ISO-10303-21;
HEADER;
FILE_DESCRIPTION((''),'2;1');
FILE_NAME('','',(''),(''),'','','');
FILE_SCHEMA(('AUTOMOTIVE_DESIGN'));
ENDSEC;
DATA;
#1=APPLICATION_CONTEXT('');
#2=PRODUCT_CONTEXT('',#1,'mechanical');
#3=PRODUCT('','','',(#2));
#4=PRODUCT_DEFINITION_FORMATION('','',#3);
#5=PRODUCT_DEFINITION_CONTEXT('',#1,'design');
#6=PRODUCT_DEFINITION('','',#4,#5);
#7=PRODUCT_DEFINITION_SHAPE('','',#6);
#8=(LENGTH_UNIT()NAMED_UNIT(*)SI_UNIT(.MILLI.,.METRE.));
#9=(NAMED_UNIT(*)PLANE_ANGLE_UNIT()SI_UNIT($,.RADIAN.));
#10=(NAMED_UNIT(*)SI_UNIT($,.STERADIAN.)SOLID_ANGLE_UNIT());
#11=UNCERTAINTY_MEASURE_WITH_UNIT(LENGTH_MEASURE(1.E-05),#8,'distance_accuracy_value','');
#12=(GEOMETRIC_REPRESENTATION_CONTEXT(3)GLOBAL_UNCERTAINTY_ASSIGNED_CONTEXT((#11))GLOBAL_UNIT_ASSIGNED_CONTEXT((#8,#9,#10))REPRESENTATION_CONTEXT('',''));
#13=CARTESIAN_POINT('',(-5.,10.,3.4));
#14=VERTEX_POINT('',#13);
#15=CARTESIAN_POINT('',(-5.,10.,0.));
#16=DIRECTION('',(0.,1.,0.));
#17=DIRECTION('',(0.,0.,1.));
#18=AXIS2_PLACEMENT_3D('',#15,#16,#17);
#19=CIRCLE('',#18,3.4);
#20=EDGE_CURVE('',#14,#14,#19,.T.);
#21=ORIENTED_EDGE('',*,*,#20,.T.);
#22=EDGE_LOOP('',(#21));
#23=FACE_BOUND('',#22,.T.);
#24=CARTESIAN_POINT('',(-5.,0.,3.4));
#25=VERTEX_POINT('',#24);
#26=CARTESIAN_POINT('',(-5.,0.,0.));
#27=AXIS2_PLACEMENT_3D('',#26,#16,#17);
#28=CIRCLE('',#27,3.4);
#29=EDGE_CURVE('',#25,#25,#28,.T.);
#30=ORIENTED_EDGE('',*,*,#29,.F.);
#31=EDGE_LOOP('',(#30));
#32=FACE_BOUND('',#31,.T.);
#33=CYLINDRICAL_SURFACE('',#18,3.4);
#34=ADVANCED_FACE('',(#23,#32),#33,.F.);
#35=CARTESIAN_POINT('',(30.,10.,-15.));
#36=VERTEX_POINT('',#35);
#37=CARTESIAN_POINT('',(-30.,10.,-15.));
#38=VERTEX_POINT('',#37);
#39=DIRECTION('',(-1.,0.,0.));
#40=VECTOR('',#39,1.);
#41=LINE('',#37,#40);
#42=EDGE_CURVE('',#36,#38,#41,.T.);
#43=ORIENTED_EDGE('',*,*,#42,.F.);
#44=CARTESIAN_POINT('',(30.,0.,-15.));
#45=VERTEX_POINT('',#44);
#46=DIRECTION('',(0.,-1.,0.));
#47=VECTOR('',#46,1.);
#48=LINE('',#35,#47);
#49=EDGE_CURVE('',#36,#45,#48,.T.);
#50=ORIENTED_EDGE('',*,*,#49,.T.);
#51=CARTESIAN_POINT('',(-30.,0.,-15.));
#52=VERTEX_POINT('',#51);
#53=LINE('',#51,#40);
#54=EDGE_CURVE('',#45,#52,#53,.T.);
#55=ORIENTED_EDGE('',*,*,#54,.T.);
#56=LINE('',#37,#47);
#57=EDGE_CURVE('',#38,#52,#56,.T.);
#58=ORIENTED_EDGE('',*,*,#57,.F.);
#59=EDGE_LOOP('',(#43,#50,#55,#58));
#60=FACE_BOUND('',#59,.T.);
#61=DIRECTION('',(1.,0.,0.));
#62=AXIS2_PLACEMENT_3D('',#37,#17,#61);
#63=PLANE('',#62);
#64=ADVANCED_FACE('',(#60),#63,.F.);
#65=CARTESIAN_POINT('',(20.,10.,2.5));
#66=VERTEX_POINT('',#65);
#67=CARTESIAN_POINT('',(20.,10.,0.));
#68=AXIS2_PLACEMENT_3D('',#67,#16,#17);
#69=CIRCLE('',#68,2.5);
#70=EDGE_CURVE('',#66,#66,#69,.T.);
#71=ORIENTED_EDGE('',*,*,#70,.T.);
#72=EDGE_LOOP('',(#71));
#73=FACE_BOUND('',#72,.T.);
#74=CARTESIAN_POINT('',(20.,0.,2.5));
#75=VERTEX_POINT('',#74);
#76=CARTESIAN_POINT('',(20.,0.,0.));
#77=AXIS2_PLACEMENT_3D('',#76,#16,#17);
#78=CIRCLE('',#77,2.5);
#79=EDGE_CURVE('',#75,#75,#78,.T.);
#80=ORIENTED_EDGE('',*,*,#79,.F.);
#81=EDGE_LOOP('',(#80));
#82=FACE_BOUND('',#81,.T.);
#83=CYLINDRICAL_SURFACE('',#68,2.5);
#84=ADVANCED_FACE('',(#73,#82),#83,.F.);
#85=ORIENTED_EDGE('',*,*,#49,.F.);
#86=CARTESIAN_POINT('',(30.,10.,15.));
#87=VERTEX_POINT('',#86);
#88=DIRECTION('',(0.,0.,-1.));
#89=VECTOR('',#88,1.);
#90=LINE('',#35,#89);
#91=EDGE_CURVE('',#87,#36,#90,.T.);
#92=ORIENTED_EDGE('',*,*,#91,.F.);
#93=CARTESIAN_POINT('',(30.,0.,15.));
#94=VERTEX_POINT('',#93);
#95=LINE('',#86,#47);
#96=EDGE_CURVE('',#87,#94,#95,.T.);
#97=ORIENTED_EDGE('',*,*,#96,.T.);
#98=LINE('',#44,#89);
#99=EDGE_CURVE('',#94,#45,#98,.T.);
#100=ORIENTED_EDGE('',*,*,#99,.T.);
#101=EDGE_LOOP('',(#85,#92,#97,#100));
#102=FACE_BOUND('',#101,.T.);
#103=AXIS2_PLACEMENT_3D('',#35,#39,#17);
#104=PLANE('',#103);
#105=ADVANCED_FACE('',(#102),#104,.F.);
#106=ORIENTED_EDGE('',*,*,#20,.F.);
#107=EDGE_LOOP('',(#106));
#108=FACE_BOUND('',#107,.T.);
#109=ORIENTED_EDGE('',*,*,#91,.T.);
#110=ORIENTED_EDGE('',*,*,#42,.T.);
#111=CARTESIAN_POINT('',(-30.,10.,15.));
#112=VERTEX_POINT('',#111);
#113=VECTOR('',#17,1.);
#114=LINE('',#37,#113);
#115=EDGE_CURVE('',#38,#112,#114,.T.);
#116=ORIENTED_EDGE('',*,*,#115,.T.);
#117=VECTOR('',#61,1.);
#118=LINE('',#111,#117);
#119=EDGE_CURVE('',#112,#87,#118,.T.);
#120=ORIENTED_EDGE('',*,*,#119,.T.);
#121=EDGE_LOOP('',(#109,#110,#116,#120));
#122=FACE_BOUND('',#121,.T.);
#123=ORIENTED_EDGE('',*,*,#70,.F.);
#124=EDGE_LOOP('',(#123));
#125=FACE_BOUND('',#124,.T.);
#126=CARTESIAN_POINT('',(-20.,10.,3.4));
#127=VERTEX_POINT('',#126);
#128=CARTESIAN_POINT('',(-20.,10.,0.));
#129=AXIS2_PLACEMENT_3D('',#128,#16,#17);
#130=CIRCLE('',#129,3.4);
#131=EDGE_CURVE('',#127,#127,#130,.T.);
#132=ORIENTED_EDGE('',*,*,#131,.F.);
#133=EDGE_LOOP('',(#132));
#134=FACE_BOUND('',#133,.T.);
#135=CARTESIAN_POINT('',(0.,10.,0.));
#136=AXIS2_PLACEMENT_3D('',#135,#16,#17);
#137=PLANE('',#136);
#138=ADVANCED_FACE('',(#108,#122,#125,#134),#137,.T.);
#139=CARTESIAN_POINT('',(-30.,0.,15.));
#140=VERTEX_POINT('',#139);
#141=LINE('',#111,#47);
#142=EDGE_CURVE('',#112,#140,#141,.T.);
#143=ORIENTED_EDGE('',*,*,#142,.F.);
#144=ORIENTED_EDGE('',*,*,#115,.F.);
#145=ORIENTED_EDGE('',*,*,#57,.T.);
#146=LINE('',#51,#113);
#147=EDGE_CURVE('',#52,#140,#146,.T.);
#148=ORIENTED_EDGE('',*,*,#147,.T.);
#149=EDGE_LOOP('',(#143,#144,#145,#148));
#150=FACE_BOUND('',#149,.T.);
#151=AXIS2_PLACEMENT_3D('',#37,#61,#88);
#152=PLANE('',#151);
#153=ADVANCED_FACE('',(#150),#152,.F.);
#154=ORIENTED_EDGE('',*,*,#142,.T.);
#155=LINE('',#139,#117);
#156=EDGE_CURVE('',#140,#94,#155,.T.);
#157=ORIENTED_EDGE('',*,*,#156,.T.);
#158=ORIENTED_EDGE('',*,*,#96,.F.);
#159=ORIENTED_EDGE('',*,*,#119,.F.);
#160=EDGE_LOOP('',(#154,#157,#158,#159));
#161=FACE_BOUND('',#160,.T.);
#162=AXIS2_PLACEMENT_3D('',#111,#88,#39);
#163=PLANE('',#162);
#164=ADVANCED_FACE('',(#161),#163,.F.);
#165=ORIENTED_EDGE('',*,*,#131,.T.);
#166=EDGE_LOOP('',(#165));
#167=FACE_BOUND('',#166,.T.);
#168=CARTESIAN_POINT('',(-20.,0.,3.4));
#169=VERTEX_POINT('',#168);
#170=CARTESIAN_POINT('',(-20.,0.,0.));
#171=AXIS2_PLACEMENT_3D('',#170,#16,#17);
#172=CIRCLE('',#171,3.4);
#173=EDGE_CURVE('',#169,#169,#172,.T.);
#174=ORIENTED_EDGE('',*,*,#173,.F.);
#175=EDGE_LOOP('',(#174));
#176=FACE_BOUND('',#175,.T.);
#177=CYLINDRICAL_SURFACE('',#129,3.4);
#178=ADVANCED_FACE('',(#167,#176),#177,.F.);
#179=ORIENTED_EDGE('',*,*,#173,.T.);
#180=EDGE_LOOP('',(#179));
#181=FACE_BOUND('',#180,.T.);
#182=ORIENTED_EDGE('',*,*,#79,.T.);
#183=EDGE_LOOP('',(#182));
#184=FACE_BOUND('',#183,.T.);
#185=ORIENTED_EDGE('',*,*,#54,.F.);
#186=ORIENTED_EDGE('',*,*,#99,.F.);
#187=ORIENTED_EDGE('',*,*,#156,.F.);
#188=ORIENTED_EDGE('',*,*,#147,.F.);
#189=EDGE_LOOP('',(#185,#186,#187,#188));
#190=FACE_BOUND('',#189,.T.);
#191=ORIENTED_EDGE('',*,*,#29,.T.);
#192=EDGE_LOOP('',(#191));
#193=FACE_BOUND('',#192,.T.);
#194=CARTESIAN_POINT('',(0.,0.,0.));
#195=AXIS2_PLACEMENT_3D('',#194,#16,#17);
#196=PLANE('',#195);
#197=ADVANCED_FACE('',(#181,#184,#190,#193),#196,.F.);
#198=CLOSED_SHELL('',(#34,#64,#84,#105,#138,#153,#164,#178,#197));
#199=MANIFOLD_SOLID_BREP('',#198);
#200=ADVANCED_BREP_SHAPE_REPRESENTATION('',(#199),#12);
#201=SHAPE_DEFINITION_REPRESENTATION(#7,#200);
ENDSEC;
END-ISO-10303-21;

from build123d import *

# Parameters (mm, degrees)
SKETCH_1_W         = 60
SKETCH_1_H         = 30
EXTRUDE_1_DEPTH    = 10
MM_1_D             = 6.8
HOLE_WIZARD_M6_1_D = 5


with BuildPart() as part:
    # 草图1 → 凸台-拉伸1 (new body)
    with BuildSketch(Plane(origin=(0, 0, 0), x_dir=(1, 0, 0), z_dir=(0, 1, 0))):
        Rectangle(SKETCH_1_W, SKETCH_1_H)
    extrude(amount=EXTRUDE_1_DEPTH)

    # 大小mm 暗销孔1 (through all)
    with Locations(Plane(origin=(-20, 10, 0), x_dir=(0, 0, 1), z_dir=(0, 1, 0))):
        with Locations((0, 0), (0, 15)):
            Hole(MM_1_D / 2)

    # M6 螺纹孔1 (through all)
    with Locations(Plane(origin=(20, 10, 0), x_dir=(0, 0, 1), z_dir=(0, 1, 0))):
        with Locations((0, 0)):
            Hole(HOLE_WIZARD_M6_1_D / 2)


solid = part.part
